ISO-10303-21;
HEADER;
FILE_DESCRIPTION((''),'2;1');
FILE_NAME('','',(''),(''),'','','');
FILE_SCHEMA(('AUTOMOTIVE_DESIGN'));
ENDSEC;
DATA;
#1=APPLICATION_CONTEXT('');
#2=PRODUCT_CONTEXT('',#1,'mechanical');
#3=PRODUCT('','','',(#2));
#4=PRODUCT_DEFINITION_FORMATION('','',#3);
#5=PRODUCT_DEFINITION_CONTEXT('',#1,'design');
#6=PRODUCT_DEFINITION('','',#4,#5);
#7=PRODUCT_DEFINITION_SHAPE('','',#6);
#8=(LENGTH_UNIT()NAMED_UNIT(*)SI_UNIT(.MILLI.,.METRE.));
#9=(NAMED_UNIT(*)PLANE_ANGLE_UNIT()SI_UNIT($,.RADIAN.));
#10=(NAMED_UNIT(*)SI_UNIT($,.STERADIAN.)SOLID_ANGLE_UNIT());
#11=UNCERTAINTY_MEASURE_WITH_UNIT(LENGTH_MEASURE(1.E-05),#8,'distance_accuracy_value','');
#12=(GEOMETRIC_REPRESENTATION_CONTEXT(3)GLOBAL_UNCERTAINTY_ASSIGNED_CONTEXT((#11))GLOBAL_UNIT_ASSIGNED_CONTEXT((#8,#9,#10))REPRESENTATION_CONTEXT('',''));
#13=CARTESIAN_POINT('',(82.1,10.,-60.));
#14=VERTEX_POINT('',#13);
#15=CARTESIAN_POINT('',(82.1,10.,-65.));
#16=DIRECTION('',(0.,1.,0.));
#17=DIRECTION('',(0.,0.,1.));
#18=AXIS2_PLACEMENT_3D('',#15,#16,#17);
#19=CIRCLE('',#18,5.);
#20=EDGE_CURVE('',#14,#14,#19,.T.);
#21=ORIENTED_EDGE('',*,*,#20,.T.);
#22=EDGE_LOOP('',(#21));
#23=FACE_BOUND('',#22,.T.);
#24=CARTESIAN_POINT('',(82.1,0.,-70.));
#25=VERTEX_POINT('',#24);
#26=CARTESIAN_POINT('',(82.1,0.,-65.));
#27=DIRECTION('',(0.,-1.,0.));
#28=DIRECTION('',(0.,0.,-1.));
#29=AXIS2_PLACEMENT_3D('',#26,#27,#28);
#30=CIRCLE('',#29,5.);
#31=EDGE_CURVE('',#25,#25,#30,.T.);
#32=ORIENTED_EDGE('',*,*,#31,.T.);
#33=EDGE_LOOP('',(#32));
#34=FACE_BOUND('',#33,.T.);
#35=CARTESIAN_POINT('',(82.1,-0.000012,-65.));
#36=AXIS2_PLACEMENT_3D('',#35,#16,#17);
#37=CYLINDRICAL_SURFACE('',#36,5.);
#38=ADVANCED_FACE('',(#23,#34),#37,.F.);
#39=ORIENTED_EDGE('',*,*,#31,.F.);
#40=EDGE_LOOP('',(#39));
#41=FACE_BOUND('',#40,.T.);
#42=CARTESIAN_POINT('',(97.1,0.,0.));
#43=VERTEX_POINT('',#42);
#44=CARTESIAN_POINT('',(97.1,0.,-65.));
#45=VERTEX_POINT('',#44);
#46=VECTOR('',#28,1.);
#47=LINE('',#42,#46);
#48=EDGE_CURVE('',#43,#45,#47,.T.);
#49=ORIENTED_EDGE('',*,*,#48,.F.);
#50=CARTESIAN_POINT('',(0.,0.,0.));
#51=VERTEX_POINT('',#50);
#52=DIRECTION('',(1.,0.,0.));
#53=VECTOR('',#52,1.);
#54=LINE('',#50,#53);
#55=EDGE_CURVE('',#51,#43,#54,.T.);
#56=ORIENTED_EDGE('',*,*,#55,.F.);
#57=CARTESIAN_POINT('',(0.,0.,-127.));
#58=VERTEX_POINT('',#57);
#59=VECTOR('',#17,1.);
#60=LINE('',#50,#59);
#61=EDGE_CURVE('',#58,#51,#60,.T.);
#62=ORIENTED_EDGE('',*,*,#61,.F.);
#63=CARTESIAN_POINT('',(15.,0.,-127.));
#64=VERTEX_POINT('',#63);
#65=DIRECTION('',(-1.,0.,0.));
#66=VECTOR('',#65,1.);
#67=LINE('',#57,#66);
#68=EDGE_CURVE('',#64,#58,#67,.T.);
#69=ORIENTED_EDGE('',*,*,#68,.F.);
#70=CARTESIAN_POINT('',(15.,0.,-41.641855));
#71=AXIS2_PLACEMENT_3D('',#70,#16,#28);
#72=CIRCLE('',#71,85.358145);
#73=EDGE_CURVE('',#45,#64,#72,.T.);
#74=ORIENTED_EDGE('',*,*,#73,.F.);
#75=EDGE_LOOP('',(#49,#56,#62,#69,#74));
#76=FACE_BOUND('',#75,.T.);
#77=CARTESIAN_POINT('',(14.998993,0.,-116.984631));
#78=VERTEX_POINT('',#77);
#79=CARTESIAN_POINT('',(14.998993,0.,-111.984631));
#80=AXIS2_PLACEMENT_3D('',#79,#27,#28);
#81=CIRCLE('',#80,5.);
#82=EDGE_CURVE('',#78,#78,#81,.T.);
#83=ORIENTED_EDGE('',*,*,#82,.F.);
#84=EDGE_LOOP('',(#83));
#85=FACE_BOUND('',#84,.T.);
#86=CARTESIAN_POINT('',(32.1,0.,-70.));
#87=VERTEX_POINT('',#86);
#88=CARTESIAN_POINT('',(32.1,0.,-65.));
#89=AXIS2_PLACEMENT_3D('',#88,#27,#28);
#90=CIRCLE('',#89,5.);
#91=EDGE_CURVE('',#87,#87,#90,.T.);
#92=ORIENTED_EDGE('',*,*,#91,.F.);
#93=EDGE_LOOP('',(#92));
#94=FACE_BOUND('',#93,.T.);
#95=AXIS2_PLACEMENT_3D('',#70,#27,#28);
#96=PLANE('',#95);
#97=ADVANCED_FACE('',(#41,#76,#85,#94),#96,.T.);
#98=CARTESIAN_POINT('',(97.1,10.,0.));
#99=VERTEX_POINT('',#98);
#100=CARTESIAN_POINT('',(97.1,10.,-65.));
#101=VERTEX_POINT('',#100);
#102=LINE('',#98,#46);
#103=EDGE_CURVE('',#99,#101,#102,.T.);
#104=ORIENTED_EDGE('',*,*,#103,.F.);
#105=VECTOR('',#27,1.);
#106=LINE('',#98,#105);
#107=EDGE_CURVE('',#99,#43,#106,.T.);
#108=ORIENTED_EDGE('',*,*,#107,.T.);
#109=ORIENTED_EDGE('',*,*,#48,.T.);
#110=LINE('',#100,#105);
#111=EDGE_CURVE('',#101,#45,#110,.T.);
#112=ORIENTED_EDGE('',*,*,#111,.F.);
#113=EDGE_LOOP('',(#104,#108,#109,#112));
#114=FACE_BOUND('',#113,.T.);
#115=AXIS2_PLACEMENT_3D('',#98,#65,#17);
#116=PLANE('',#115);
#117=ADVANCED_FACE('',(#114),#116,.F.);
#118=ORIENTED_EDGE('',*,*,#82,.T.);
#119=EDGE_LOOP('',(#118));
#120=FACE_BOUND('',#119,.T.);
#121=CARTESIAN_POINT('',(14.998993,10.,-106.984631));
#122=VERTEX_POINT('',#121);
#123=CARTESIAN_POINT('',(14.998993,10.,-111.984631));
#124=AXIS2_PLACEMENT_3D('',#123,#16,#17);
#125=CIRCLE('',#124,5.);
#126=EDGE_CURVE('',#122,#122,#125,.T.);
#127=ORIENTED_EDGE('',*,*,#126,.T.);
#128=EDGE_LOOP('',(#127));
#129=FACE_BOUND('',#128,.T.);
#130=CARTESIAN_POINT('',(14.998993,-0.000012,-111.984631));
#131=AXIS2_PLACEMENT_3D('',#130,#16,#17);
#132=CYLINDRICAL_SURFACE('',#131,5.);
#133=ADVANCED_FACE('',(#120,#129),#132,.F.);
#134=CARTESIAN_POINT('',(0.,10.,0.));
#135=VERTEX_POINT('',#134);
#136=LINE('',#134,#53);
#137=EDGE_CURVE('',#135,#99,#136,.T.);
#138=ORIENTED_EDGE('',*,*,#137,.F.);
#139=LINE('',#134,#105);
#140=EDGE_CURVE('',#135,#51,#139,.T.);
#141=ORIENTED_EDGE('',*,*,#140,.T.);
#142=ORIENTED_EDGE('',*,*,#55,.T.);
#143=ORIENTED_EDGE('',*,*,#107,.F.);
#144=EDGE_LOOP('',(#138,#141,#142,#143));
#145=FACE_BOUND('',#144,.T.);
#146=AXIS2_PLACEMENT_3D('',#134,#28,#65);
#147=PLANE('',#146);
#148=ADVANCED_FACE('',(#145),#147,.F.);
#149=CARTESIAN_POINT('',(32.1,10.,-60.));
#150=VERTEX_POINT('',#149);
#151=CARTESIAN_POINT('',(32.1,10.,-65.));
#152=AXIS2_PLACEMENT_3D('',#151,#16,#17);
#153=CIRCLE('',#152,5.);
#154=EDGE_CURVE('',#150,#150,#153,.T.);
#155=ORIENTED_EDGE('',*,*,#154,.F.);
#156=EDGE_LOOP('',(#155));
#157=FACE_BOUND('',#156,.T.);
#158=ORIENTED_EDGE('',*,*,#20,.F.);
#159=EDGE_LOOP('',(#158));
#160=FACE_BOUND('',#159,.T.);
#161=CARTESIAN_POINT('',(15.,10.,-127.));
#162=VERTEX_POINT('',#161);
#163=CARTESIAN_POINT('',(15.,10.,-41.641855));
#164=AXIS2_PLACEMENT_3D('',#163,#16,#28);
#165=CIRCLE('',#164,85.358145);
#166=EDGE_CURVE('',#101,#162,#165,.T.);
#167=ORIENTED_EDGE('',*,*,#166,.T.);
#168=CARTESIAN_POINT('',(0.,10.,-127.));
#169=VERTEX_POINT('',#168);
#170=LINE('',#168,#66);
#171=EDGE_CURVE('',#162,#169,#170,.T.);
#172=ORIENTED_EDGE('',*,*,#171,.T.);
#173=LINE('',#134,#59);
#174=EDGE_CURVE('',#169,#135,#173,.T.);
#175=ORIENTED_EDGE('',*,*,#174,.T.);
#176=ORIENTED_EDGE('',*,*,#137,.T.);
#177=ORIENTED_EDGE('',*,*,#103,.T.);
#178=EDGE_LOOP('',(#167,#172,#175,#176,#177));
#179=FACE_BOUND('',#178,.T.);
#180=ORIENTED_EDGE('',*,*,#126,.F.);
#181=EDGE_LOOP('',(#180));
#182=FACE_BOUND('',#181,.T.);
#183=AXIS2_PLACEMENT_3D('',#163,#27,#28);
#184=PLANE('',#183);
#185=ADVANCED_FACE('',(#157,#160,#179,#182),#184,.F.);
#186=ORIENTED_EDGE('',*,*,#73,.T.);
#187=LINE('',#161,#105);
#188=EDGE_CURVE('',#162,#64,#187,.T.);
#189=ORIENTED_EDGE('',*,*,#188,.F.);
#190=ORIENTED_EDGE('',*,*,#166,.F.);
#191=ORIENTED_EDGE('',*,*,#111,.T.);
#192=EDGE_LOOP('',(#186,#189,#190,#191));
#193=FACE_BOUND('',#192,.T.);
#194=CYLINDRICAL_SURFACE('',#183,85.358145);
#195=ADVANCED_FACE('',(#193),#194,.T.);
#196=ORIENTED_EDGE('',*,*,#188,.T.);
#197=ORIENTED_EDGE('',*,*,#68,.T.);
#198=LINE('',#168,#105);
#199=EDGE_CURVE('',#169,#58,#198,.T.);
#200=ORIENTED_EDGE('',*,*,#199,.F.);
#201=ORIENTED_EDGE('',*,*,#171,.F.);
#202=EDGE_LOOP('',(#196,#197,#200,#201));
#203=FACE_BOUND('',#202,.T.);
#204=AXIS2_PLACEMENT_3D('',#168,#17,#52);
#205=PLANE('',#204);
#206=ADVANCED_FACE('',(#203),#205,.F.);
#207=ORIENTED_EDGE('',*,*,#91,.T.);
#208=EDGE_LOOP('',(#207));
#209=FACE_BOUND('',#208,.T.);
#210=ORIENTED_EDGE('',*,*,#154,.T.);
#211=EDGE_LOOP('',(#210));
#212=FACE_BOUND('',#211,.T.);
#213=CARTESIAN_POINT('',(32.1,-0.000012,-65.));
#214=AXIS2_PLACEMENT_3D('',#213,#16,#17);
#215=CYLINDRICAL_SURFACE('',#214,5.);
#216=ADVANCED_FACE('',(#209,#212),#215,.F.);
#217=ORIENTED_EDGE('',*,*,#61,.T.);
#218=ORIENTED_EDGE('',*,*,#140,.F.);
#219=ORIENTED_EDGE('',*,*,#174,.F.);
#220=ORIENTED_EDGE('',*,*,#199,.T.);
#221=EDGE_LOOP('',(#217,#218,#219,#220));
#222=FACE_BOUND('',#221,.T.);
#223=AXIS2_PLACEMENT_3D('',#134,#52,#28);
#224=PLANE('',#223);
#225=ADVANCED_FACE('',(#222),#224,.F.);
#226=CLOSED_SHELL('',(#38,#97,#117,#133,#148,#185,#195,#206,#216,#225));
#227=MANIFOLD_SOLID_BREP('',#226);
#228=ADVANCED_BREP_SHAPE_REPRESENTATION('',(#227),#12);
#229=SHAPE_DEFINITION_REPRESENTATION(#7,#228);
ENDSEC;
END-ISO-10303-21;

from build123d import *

# Parameters (mm, degrees)
BOSS_EXTRUDE1_DEPTH     = 10
SKETCH2_R               = 5
CUT_EXTRUDE4_DEPTH      = 11
CUT_EXTRUDE4_DEPTH_BACK = 1


with BuildPart() as part:
    # Sketch1 → Boss-Extrude1 (new body)
    with BuildSketch(Plane(origin=(0, 0, 0), x_dir=(1, 0, 0), z_dir=(0, 1, 0))):
        with BuildLine():
            Line((0, 0), (0, 127))
            Line((0, 127), (15, 127))
            ThreePointArc((15, 127), (66.440280909, 109.758742946), (97.1, 65))
            Line((97.1, 65), (97.1, 0))
            Line((97.1, 0), (0, 0))
        make_face()
    extrude(amount=BOSS_EXTRUDE1_DEPTH)

    # Sketch2 → Cut-Extrude4 (cut, two sides)
    with BuildSketch(Plane(origin=(0, 0, 0), x_dir=(1, 0, 0), z_dir=(0, 1, 0))) as cut_extrude4_sk:
        with Locations((14.998992834, 111.984631039)):
            Circle(SKETCH2_R)
        with Locations((82.1, 65)):
            Circle(SKETCH2_R)
        with Locations((32.1, 65)):
            Circle(SKETCH2_R)
    extrude(amount=CUT_EXTRUDE4_DEPTH, mode=Mode.SUBTRACT)
    extrude(cut_extrude4_sk.sketch, amount=-CUT_EXTRUDE4_DEPTH_BACK, mode=Mode.SUBTRACT)


solid = part.part
